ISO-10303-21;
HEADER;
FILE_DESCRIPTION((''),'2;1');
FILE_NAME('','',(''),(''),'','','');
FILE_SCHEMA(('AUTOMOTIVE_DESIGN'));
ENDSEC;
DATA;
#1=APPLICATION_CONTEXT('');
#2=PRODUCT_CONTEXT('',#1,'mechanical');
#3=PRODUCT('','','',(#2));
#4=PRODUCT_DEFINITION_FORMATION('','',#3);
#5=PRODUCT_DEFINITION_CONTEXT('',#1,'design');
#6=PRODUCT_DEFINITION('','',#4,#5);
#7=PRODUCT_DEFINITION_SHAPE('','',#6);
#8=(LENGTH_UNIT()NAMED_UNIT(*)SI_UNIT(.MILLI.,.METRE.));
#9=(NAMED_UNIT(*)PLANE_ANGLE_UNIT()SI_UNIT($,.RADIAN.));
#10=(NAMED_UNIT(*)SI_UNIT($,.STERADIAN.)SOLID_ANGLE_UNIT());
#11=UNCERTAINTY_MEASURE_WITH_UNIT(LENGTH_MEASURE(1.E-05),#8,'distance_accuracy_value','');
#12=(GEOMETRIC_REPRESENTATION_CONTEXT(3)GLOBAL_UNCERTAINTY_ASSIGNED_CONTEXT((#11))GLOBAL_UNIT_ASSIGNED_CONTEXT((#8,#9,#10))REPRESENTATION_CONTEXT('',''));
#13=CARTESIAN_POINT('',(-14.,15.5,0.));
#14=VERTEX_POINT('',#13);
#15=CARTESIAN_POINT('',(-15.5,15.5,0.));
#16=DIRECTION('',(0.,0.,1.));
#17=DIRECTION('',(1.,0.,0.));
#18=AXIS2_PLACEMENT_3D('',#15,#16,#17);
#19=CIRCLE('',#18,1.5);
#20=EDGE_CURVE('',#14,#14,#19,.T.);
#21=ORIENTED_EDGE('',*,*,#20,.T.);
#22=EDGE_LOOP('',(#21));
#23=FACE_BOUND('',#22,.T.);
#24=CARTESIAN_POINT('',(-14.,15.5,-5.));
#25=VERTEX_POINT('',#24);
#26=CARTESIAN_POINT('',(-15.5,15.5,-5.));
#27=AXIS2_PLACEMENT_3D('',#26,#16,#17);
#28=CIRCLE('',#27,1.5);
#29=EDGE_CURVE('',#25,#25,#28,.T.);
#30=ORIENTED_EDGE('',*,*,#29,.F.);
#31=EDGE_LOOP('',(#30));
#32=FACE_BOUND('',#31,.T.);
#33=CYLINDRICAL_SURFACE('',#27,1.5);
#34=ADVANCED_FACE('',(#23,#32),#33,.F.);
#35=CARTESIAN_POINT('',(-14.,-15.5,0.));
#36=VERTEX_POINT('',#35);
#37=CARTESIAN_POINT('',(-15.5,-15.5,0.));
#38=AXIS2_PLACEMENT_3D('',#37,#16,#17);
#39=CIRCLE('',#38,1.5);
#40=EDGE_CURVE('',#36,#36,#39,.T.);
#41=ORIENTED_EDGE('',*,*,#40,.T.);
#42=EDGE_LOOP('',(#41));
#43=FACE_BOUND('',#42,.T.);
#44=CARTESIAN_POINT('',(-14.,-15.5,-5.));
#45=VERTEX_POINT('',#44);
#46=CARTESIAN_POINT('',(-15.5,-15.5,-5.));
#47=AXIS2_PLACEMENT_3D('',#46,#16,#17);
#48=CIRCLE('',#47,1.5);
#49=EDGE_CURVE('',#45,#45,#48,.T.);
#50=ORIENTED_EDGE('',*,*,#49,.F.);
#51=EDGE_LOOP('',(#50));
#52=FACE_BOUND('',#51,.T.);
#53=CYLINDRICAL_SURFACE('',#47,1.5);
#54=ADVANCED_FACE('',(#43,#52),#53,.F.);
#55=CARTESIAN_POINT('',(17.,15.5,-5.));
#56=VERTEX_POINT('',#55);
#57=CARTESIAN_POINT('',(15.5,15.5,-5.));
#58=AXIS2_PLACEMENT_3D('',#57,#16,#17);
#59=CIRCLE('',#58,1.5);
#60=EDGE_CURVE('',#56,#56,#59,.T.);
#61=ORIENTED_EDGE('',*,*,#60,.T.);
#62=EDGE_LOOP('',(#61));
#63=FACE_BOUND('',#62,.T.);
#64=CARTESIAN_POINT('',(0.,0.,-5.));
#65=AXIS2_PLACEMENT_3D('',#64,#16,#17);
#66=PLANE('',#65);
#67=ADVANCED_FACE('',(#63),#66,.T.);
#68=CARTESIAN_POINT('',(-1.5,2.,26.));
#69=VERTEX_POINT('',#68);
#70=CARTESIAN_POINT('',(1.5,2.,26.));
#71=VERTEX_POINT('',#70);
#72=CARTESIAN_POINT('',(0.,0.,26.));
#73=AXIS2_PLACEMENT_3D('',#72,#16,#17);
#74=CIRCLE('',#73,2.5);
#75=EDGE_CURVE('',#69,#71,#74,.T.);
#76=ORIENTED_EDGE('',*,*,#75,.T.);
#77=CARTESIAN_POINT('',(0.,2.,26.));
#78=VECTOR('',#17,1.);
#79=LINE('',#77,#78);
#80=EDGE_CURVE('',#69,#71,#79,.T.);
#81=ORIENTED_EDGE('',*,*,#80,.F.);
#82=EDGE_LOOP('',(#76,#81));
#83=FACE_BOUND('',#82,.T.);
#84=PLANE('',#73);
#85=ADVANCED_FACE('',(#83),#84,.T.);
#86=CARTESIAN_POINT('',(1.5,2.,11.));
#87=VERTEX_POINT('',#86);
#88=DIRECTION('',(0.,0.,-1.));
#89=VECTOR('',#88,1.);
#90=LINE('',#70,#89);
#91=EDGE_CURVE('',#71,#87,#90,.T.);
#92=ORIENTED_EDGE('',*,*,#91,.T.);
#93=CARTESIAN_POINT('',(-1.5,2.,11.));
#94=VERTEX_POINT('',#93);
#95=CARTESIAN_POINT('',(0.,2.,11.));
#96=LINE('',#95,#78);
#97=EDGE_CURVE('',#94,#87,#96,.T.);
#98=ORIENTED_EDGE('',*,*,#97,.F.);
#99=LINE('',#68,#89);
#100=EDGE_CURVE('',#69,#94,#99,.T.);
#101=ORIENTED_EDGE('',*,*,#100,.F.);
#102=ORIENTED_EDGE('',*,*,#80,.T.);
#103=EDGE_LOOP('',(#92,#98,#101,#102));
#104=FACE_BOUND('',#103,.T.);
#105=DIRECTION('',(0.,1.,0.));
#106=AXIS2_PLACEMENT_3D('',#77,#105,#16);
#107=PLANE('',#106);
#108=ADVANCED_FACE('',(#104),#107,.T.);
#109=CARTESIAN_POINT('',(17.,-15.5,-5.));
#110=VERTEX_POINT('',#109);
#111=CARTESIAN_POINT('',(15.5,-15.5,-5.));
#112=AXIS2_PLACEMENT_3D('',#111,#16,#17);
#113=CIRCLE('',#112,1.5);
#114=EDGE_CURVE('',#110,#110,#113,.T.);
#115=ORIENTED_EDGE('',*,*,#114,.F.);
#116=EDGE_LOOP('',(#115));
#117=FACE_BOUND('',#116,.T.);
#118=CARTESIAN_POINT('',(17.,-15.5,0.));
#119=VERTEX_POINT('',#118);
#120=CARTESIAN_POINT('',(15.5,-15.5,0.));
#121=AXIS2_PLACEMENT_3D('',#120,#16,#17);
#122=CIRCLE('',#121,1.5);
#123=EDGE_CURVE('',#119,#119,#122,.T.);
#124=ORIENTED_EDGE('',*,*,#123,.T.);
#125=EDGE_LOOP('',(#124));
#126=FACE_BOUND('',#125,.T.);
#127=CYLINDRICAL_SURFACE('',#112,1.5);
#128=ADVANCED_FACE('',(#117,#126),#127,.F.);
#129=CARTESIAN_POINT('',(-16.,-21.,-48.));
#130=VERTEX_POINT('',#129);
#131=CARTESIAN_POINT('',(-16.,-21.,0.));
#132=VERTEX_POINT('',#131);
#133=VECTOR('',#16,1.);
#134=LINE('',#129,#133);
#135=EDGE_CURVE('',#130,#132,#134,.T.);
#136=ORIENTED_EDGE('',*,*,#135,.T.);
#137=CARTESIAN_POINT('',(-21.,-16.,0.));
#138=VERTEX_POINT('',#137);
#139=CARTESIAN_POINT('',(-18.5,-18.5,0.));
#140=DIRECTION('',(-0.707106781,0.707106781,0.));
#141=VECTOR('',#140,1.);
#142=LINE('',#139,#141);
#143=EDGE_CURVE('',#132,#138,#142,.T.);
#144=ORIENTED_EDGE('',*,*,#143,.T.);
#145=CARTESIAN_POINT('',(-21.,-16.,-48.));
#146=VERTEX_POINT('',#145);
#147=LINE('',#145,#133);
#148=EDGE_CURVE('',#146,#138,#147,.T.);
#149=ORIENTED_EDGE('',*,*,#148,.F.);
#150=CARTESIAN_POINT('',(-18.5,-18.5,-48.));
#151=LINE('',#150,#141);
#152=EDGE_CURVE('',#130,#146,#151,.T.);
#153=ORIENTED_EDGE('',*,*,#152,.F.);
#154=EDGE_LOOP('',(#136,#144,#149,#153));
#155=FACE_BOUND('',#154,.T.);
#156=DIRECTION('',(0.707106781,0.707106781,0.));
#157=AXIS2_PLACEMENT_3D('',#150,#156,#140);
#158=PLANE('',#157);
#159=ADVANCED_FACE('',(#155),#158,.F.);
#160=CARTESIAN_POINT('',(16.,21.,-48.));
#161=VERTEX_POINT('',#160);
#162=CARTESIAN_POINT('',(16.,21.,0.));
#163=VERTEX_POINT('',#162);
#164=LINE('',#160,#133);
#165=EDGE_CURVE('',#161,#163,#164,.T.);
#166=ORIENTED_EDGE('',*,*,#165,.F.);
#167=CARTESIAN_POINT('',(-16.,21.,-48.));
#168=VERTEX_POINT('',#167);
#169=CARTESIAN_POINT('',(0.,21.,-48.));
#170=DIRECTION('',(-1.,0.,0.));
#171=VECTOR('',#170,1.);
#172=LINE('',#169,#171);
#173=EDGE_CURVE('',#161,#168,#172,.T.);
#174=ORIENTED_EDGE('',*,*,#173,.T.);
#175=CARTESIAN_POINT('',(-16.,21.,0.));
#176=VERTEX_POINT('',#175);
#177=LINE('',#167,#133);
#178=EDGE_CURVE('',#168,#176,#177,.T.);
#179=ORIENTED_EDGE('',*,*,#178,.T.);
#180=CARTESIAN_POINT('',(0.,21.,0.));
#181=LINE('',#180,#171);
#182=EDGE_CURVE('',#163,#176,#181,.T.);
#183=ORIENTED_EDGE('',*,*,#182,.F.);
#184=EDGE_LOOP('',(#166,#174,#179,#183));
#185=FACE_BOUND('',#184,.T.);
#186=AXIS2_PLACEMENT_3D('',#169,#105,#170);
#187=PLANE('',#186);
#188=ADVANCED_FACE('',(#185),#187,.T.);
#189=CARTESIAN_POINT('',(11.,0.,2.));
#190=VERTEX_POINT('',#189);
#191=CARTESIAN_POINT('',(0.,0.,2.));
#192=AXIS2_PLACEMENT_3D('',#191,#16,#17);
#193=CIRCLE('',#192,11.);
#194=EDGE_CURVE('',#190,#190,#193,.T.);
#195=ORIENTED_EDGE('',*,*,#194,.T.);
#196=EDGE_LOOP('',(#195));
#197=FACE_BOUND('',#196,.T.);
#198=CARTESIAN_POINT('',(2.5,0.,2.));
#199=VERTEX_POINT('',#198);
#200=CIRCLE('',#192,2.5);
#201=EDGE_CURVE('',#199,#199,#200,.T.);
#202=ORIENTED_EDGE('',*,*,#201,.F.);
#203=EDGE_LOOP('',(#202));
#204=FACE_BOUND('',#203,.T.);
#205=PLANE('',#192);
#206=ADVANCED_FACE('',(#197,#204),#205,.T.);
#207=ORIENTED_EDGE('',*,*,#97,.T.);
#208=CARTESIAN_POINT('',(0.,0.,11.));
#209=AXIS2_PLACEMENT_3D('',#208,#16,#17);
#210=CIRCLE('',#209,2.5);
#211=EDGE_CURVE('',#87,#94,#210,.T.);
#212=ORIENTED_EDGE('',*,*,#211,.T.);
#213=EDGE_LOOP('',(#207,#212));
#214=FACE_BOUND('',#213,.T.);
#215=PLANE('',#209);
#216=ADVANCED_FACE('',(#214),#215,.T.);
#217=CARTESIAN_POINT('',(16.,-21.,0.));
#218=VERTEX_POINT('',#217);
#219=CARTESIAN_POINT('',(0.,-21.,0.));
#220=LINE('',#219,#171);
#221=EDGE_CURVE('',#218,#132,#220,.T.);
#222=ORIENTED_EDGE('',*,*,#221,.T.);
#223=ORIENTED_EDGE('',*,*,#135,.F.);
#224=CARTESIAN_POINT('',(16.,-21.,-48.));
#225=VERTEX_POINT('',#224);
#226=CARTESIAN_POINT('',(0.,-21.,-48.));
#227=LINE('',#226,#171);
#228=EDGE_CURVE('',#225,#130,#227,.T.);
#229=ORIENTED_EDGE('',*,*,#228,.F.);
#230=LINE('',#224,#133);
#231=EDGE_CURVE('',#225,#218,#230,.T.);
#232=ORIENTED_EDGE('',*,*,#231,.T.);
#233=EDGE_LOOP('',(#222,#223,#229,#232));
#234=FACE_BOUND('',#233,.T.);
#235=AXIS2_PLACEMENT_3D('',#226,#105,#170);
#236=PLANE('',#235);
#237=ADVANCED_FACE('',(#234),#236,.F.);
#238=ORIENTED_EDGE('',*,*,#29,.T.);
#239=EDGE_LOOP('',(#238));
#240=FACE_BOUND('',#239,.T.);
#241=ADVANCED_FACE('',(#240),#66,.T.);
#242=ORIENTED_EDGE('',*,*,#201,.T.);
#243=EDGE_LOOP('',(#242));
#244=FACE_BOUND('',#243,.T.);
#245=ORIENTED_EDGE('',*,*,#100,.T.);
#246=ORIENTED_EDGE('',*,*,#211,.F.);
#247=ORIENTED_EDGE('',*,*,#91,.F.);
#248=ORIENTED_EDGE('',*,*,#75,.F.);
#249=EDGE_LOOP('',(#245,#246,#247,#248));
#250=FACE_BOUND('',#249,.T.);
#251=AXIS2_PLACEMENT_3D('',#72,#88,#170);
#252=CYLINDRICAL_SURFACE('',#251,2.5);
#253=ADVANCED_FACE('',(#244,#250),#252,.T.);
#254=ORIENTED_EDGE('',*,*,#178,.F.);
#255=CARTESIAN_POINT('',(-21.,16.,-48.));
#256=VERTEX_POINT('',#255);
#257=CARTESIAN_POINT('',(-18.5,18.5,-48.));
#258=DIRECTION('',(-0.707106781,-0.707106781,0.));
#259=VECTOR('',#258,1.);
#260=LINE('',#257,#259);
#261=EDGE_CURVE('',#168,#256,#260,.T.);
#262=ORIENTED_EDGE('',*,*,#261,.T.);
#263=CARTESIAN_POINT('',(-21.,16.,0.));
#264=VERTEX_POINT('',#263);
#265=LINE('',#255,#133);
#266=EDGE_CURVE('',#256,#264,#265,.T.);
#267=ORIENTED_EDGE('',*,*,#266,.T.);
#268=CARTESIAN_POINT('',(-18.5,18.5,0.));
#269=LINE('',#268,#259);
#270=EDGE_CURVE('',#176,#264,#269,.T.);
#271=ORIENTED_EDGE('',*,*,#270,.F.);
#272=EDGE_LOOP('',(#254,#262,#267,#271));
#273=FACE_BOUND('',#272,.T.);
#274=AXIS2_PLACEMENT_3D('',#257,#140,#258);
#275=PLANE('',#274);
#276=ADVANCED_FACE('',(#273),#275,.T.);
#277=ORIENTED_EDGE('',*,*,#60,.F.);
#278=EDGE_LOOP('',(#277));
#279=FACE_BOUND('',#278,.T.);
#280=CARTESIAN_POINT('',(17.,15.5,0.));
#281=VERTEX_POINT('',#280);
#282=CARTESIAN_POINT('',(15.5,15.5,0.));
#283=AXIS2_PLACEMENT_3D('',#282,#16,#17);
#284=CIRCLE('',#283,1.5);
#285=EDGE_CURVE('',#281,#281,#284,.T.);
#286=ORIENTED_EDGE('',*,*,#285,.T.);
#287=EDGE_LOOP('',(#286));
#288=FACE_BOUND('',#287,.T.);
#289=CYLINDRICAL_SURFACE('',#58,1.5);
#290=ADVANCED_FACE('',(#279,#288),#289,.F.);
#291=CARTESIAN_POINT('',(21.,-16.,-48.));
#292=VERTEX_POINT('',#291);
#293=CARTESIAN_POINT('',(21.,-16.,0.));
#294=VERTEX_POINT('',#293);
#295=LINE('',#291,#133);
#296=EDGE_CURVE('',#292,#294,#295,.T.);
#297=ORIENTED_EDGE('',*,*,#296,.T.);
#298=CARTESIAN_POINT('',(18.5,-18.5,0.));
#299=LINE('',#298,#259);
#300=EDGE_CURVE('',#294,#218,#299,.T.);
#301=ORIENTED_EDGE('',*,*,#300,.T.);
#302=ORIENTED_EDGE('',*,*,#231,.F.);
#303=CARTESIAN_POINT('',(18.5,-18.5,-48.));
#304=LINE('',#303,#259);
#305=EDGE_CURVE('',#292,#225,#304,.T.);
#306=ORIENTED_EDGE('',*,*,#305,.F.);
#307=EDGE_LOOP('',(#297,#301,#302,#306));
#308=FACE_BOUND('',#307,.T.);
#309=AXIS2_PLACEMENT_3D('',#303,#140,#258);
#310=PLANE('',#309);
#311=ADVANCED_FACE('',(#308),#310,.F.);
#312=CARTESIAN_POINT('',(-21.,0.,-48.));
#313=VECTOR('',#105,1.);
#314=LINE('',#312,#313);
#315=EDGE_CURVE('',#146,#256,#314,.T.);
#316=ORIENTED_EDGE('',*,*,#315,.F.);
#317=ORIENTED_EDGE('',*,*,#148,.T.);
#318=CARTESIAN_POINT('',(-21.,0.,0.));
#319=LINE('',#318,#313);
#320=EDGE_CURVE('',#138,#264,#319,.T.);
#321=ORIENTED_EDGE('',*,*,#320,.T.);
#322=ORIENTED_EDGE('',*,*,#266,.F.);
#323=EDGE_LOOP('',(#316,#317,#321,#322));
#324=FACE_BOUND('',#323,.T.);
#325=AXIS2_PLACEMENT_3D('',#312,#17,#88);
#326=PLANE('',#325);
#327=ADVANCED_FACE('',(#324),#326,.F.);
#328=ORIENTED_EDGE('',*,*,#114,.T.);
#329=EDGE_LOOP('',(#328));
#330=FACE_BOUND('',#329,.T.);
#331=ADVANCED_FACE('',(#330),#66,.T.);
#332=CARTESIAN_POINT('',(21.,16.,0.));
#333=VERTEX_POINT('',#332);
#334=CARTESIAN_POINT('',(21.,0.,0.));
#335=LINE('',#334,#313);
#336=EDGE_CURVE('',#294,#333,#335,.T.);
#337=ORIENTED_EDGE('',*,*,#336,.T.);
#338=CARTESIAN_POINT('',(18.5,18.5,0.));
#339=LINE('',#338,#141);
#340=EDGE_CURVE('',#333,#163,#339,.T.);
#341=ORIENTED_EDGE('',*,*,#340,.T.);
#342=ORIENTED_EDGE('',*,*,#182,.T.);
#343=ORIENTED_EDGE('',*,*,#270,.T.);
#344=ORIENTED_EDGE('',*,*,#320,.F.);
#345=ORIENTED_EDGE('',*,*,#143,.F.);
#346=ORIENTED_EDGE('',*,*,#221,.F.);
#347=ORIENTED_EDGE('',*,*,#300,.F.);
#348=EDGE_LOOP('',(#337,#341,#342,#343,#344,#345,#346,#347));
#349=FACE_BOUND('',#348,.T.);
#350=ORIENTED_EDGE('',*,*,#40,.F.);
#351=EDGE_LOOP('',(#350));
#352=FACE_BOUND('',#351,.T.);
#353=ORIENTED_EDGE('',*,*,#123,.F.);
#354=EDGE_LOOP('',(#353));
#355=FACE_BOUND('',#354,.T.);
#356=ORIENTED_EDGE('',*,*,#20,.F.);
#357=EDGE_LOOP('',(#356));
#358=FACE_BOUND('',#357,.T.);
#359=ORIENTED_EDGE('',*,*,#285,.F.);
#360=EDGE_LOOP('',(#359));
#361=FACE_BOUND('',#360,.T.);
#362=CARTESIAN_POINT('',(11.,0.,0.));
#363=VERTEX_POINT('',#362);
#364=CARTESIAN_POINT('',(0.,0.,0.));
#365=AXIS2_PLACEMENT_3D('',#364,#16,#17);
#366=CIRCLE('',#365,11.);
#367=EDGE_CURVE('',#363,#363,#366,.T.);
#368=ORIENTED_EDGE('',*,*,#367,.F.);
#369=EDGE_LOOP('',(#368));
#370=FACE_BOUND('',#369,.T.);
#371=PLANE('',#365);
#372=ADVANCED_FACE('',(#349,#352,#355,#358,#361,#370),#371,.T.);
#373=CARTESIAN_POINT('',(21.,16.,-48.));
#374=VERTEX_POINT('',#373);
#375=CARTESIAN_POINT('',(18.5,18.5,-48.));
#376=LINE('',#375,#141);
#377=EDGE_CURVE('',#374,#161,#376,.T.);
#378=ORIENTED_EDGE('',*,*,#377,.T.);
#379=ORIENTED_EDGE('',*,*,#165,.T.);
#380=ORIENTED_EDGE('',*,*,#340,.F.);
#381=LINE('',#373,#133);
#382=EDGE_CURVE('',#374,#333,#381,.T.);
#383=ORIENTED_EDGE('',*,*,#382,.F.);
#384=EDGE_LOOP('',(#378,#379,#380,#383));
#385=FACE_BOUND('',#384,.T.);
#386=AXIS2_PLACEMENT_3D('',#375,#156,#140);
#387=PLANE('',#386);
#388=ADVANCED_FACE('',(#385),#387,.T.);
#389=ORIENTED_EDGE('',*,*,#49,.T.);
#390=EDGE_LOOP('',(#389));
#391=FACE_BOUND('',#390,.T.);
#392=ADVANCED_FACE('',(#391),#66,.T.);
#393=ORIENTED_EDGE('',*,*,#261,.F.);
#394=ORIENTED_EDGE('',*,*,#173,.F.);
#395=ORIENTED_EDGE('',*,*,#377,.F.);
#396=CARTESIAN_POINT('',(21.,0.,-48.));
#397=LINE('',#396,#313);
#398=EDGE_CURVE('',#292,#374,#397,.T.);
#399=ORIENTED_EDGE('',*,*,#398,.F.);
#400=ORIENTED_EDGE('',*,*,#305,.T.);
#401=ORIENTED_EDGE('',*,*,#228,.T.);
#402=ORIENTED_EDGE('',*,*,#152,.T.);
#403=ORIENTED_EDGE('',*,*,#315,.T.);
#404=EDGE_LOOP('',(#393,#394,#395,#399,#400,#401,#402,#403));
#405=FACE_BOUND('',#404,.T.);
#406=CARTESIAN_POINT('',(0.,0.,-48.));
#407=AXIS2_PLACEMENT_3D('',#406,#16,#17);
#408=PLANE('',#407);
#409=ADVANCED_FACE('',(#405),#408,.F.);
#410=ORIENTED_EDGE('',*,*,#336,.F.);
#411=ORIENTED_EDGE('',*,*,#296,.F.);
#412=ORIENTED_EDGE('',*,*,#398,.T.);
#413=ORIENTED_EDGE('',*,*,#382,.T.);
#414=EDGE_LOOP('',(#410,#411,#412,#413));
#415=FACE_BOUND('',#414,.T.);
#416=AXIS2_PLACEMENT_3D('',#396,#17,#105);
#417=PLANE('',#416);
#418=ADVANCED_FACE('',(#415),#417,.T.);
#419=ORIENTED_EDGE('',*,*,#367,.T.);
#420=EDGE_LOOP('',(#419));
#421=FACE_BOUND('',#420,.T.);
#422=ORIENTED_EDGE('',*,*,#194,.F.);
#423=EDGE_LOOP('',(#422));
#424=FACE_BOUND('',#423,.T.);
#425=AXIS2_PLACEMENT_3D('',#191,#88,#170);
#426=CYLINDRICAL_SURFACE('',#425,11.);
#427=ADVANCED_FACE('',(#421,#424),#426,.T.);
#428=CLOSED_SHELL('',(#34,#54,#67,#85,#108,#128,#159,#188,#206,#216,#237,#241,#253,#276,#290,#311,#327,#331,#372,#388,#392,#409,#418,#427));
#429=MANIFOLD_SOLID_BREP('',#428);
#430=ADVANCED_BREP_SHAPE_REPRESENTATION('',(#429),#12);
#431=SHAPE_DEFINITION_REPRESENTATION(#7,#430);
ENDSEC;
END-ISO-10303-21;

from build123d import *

# Parameters (mm, degrees)
BOSS_EXTRUDE1_DEPTH = 48
SKETCH1_3_R         = 11
BOSS_EXTRUDE2_DEPTH = 2
BOSS_EXTRUDE3_DEPTH = 26
BOSS_EXTRUDE4_DEPTH = 11
SKETCH1_6_R         = 1.5
CUT_EXTRUDE1_DEPTH  = 5


with BuildPart() as part:
    # Sketch1 → Boss-Extrude1 (new body)
    with BuildSketch(Plane.XY):
        Polygon((-16, -21), (16, -21), (21, -16), (21, 16), (16, 21), (-16, 21), (-21, 16), (-21, -16), align=None)
    extrude(amount=-BOSS_EXTRUDE1_DEPTH)

    # Sketch1<3> → Boss-Extrude2 (add)
    with BuildSketch(Plane.XY):
        Circle(SKETCH1_3_R)
        with BuildLine():
            ThreePointArc((2.5, 0), (-1.118033989, -2.236067977), (-1.5, 2))
            ThreePointArc((-1.5, 2), (0, 2.5), (1.5, 2))
            ThreePointArc((1.5, 2), (2.236067977, 1.118033989), (2.5, 0))
        make_face(mode=Mode.SUBTRACT)
    extrude(amount=BOSS_EXTRUDE2_DEPTH)

    # Sketch1<4> → Boss-Extrude3 (add)
    with BuildSketch(Plane.XY):
        with BuildLine():
            Line((1.5, 2), (-1.5, 2))
            ThreePointArc((-1.5, 2), (-1.118033989, -2.236067977), (2.5, 0))
            ThreePointArc((2.5, 0), (2.236067977, 1.118033989), (1.5, 2))
        make_face()
    extrude(amount=BOSS_EXTRUDE3_DEPTH)

    # Sketch1<5> → Boss-Extrude4 (add)
    with BuildSketch(Plane.XY):
        with BuildLine():
            ThreePointArc((1.5, 2), (0, 2.5), (-1.5, 2))
            Line((-1.5, 2), (1.5, 2))
        make_face()
    extrude(amount=BOSS_EXTRUDE4_DEPTH)

    # Sketch1<6> → Cut-Extrude1 (cut)
    with BuildSketch(Plane.XY):
        with Locations((-15.5, 15.5)):
            Circle(SKETCH1_6_R)
        with Locations((15.5, 15.5)):
            Circle(SKETCH1_6_R)
        with Locations((-15.5, -15.5)):
            Circle(SKETCH1_6_R)
        with Locations((15.5, -15.5)):
            Circle(SKETCH1_6_R)
    extrude(amount=-CUT_EXTRUDE1_DEPTH, mode=Mode.SUBTRACT)


solid = part.part
